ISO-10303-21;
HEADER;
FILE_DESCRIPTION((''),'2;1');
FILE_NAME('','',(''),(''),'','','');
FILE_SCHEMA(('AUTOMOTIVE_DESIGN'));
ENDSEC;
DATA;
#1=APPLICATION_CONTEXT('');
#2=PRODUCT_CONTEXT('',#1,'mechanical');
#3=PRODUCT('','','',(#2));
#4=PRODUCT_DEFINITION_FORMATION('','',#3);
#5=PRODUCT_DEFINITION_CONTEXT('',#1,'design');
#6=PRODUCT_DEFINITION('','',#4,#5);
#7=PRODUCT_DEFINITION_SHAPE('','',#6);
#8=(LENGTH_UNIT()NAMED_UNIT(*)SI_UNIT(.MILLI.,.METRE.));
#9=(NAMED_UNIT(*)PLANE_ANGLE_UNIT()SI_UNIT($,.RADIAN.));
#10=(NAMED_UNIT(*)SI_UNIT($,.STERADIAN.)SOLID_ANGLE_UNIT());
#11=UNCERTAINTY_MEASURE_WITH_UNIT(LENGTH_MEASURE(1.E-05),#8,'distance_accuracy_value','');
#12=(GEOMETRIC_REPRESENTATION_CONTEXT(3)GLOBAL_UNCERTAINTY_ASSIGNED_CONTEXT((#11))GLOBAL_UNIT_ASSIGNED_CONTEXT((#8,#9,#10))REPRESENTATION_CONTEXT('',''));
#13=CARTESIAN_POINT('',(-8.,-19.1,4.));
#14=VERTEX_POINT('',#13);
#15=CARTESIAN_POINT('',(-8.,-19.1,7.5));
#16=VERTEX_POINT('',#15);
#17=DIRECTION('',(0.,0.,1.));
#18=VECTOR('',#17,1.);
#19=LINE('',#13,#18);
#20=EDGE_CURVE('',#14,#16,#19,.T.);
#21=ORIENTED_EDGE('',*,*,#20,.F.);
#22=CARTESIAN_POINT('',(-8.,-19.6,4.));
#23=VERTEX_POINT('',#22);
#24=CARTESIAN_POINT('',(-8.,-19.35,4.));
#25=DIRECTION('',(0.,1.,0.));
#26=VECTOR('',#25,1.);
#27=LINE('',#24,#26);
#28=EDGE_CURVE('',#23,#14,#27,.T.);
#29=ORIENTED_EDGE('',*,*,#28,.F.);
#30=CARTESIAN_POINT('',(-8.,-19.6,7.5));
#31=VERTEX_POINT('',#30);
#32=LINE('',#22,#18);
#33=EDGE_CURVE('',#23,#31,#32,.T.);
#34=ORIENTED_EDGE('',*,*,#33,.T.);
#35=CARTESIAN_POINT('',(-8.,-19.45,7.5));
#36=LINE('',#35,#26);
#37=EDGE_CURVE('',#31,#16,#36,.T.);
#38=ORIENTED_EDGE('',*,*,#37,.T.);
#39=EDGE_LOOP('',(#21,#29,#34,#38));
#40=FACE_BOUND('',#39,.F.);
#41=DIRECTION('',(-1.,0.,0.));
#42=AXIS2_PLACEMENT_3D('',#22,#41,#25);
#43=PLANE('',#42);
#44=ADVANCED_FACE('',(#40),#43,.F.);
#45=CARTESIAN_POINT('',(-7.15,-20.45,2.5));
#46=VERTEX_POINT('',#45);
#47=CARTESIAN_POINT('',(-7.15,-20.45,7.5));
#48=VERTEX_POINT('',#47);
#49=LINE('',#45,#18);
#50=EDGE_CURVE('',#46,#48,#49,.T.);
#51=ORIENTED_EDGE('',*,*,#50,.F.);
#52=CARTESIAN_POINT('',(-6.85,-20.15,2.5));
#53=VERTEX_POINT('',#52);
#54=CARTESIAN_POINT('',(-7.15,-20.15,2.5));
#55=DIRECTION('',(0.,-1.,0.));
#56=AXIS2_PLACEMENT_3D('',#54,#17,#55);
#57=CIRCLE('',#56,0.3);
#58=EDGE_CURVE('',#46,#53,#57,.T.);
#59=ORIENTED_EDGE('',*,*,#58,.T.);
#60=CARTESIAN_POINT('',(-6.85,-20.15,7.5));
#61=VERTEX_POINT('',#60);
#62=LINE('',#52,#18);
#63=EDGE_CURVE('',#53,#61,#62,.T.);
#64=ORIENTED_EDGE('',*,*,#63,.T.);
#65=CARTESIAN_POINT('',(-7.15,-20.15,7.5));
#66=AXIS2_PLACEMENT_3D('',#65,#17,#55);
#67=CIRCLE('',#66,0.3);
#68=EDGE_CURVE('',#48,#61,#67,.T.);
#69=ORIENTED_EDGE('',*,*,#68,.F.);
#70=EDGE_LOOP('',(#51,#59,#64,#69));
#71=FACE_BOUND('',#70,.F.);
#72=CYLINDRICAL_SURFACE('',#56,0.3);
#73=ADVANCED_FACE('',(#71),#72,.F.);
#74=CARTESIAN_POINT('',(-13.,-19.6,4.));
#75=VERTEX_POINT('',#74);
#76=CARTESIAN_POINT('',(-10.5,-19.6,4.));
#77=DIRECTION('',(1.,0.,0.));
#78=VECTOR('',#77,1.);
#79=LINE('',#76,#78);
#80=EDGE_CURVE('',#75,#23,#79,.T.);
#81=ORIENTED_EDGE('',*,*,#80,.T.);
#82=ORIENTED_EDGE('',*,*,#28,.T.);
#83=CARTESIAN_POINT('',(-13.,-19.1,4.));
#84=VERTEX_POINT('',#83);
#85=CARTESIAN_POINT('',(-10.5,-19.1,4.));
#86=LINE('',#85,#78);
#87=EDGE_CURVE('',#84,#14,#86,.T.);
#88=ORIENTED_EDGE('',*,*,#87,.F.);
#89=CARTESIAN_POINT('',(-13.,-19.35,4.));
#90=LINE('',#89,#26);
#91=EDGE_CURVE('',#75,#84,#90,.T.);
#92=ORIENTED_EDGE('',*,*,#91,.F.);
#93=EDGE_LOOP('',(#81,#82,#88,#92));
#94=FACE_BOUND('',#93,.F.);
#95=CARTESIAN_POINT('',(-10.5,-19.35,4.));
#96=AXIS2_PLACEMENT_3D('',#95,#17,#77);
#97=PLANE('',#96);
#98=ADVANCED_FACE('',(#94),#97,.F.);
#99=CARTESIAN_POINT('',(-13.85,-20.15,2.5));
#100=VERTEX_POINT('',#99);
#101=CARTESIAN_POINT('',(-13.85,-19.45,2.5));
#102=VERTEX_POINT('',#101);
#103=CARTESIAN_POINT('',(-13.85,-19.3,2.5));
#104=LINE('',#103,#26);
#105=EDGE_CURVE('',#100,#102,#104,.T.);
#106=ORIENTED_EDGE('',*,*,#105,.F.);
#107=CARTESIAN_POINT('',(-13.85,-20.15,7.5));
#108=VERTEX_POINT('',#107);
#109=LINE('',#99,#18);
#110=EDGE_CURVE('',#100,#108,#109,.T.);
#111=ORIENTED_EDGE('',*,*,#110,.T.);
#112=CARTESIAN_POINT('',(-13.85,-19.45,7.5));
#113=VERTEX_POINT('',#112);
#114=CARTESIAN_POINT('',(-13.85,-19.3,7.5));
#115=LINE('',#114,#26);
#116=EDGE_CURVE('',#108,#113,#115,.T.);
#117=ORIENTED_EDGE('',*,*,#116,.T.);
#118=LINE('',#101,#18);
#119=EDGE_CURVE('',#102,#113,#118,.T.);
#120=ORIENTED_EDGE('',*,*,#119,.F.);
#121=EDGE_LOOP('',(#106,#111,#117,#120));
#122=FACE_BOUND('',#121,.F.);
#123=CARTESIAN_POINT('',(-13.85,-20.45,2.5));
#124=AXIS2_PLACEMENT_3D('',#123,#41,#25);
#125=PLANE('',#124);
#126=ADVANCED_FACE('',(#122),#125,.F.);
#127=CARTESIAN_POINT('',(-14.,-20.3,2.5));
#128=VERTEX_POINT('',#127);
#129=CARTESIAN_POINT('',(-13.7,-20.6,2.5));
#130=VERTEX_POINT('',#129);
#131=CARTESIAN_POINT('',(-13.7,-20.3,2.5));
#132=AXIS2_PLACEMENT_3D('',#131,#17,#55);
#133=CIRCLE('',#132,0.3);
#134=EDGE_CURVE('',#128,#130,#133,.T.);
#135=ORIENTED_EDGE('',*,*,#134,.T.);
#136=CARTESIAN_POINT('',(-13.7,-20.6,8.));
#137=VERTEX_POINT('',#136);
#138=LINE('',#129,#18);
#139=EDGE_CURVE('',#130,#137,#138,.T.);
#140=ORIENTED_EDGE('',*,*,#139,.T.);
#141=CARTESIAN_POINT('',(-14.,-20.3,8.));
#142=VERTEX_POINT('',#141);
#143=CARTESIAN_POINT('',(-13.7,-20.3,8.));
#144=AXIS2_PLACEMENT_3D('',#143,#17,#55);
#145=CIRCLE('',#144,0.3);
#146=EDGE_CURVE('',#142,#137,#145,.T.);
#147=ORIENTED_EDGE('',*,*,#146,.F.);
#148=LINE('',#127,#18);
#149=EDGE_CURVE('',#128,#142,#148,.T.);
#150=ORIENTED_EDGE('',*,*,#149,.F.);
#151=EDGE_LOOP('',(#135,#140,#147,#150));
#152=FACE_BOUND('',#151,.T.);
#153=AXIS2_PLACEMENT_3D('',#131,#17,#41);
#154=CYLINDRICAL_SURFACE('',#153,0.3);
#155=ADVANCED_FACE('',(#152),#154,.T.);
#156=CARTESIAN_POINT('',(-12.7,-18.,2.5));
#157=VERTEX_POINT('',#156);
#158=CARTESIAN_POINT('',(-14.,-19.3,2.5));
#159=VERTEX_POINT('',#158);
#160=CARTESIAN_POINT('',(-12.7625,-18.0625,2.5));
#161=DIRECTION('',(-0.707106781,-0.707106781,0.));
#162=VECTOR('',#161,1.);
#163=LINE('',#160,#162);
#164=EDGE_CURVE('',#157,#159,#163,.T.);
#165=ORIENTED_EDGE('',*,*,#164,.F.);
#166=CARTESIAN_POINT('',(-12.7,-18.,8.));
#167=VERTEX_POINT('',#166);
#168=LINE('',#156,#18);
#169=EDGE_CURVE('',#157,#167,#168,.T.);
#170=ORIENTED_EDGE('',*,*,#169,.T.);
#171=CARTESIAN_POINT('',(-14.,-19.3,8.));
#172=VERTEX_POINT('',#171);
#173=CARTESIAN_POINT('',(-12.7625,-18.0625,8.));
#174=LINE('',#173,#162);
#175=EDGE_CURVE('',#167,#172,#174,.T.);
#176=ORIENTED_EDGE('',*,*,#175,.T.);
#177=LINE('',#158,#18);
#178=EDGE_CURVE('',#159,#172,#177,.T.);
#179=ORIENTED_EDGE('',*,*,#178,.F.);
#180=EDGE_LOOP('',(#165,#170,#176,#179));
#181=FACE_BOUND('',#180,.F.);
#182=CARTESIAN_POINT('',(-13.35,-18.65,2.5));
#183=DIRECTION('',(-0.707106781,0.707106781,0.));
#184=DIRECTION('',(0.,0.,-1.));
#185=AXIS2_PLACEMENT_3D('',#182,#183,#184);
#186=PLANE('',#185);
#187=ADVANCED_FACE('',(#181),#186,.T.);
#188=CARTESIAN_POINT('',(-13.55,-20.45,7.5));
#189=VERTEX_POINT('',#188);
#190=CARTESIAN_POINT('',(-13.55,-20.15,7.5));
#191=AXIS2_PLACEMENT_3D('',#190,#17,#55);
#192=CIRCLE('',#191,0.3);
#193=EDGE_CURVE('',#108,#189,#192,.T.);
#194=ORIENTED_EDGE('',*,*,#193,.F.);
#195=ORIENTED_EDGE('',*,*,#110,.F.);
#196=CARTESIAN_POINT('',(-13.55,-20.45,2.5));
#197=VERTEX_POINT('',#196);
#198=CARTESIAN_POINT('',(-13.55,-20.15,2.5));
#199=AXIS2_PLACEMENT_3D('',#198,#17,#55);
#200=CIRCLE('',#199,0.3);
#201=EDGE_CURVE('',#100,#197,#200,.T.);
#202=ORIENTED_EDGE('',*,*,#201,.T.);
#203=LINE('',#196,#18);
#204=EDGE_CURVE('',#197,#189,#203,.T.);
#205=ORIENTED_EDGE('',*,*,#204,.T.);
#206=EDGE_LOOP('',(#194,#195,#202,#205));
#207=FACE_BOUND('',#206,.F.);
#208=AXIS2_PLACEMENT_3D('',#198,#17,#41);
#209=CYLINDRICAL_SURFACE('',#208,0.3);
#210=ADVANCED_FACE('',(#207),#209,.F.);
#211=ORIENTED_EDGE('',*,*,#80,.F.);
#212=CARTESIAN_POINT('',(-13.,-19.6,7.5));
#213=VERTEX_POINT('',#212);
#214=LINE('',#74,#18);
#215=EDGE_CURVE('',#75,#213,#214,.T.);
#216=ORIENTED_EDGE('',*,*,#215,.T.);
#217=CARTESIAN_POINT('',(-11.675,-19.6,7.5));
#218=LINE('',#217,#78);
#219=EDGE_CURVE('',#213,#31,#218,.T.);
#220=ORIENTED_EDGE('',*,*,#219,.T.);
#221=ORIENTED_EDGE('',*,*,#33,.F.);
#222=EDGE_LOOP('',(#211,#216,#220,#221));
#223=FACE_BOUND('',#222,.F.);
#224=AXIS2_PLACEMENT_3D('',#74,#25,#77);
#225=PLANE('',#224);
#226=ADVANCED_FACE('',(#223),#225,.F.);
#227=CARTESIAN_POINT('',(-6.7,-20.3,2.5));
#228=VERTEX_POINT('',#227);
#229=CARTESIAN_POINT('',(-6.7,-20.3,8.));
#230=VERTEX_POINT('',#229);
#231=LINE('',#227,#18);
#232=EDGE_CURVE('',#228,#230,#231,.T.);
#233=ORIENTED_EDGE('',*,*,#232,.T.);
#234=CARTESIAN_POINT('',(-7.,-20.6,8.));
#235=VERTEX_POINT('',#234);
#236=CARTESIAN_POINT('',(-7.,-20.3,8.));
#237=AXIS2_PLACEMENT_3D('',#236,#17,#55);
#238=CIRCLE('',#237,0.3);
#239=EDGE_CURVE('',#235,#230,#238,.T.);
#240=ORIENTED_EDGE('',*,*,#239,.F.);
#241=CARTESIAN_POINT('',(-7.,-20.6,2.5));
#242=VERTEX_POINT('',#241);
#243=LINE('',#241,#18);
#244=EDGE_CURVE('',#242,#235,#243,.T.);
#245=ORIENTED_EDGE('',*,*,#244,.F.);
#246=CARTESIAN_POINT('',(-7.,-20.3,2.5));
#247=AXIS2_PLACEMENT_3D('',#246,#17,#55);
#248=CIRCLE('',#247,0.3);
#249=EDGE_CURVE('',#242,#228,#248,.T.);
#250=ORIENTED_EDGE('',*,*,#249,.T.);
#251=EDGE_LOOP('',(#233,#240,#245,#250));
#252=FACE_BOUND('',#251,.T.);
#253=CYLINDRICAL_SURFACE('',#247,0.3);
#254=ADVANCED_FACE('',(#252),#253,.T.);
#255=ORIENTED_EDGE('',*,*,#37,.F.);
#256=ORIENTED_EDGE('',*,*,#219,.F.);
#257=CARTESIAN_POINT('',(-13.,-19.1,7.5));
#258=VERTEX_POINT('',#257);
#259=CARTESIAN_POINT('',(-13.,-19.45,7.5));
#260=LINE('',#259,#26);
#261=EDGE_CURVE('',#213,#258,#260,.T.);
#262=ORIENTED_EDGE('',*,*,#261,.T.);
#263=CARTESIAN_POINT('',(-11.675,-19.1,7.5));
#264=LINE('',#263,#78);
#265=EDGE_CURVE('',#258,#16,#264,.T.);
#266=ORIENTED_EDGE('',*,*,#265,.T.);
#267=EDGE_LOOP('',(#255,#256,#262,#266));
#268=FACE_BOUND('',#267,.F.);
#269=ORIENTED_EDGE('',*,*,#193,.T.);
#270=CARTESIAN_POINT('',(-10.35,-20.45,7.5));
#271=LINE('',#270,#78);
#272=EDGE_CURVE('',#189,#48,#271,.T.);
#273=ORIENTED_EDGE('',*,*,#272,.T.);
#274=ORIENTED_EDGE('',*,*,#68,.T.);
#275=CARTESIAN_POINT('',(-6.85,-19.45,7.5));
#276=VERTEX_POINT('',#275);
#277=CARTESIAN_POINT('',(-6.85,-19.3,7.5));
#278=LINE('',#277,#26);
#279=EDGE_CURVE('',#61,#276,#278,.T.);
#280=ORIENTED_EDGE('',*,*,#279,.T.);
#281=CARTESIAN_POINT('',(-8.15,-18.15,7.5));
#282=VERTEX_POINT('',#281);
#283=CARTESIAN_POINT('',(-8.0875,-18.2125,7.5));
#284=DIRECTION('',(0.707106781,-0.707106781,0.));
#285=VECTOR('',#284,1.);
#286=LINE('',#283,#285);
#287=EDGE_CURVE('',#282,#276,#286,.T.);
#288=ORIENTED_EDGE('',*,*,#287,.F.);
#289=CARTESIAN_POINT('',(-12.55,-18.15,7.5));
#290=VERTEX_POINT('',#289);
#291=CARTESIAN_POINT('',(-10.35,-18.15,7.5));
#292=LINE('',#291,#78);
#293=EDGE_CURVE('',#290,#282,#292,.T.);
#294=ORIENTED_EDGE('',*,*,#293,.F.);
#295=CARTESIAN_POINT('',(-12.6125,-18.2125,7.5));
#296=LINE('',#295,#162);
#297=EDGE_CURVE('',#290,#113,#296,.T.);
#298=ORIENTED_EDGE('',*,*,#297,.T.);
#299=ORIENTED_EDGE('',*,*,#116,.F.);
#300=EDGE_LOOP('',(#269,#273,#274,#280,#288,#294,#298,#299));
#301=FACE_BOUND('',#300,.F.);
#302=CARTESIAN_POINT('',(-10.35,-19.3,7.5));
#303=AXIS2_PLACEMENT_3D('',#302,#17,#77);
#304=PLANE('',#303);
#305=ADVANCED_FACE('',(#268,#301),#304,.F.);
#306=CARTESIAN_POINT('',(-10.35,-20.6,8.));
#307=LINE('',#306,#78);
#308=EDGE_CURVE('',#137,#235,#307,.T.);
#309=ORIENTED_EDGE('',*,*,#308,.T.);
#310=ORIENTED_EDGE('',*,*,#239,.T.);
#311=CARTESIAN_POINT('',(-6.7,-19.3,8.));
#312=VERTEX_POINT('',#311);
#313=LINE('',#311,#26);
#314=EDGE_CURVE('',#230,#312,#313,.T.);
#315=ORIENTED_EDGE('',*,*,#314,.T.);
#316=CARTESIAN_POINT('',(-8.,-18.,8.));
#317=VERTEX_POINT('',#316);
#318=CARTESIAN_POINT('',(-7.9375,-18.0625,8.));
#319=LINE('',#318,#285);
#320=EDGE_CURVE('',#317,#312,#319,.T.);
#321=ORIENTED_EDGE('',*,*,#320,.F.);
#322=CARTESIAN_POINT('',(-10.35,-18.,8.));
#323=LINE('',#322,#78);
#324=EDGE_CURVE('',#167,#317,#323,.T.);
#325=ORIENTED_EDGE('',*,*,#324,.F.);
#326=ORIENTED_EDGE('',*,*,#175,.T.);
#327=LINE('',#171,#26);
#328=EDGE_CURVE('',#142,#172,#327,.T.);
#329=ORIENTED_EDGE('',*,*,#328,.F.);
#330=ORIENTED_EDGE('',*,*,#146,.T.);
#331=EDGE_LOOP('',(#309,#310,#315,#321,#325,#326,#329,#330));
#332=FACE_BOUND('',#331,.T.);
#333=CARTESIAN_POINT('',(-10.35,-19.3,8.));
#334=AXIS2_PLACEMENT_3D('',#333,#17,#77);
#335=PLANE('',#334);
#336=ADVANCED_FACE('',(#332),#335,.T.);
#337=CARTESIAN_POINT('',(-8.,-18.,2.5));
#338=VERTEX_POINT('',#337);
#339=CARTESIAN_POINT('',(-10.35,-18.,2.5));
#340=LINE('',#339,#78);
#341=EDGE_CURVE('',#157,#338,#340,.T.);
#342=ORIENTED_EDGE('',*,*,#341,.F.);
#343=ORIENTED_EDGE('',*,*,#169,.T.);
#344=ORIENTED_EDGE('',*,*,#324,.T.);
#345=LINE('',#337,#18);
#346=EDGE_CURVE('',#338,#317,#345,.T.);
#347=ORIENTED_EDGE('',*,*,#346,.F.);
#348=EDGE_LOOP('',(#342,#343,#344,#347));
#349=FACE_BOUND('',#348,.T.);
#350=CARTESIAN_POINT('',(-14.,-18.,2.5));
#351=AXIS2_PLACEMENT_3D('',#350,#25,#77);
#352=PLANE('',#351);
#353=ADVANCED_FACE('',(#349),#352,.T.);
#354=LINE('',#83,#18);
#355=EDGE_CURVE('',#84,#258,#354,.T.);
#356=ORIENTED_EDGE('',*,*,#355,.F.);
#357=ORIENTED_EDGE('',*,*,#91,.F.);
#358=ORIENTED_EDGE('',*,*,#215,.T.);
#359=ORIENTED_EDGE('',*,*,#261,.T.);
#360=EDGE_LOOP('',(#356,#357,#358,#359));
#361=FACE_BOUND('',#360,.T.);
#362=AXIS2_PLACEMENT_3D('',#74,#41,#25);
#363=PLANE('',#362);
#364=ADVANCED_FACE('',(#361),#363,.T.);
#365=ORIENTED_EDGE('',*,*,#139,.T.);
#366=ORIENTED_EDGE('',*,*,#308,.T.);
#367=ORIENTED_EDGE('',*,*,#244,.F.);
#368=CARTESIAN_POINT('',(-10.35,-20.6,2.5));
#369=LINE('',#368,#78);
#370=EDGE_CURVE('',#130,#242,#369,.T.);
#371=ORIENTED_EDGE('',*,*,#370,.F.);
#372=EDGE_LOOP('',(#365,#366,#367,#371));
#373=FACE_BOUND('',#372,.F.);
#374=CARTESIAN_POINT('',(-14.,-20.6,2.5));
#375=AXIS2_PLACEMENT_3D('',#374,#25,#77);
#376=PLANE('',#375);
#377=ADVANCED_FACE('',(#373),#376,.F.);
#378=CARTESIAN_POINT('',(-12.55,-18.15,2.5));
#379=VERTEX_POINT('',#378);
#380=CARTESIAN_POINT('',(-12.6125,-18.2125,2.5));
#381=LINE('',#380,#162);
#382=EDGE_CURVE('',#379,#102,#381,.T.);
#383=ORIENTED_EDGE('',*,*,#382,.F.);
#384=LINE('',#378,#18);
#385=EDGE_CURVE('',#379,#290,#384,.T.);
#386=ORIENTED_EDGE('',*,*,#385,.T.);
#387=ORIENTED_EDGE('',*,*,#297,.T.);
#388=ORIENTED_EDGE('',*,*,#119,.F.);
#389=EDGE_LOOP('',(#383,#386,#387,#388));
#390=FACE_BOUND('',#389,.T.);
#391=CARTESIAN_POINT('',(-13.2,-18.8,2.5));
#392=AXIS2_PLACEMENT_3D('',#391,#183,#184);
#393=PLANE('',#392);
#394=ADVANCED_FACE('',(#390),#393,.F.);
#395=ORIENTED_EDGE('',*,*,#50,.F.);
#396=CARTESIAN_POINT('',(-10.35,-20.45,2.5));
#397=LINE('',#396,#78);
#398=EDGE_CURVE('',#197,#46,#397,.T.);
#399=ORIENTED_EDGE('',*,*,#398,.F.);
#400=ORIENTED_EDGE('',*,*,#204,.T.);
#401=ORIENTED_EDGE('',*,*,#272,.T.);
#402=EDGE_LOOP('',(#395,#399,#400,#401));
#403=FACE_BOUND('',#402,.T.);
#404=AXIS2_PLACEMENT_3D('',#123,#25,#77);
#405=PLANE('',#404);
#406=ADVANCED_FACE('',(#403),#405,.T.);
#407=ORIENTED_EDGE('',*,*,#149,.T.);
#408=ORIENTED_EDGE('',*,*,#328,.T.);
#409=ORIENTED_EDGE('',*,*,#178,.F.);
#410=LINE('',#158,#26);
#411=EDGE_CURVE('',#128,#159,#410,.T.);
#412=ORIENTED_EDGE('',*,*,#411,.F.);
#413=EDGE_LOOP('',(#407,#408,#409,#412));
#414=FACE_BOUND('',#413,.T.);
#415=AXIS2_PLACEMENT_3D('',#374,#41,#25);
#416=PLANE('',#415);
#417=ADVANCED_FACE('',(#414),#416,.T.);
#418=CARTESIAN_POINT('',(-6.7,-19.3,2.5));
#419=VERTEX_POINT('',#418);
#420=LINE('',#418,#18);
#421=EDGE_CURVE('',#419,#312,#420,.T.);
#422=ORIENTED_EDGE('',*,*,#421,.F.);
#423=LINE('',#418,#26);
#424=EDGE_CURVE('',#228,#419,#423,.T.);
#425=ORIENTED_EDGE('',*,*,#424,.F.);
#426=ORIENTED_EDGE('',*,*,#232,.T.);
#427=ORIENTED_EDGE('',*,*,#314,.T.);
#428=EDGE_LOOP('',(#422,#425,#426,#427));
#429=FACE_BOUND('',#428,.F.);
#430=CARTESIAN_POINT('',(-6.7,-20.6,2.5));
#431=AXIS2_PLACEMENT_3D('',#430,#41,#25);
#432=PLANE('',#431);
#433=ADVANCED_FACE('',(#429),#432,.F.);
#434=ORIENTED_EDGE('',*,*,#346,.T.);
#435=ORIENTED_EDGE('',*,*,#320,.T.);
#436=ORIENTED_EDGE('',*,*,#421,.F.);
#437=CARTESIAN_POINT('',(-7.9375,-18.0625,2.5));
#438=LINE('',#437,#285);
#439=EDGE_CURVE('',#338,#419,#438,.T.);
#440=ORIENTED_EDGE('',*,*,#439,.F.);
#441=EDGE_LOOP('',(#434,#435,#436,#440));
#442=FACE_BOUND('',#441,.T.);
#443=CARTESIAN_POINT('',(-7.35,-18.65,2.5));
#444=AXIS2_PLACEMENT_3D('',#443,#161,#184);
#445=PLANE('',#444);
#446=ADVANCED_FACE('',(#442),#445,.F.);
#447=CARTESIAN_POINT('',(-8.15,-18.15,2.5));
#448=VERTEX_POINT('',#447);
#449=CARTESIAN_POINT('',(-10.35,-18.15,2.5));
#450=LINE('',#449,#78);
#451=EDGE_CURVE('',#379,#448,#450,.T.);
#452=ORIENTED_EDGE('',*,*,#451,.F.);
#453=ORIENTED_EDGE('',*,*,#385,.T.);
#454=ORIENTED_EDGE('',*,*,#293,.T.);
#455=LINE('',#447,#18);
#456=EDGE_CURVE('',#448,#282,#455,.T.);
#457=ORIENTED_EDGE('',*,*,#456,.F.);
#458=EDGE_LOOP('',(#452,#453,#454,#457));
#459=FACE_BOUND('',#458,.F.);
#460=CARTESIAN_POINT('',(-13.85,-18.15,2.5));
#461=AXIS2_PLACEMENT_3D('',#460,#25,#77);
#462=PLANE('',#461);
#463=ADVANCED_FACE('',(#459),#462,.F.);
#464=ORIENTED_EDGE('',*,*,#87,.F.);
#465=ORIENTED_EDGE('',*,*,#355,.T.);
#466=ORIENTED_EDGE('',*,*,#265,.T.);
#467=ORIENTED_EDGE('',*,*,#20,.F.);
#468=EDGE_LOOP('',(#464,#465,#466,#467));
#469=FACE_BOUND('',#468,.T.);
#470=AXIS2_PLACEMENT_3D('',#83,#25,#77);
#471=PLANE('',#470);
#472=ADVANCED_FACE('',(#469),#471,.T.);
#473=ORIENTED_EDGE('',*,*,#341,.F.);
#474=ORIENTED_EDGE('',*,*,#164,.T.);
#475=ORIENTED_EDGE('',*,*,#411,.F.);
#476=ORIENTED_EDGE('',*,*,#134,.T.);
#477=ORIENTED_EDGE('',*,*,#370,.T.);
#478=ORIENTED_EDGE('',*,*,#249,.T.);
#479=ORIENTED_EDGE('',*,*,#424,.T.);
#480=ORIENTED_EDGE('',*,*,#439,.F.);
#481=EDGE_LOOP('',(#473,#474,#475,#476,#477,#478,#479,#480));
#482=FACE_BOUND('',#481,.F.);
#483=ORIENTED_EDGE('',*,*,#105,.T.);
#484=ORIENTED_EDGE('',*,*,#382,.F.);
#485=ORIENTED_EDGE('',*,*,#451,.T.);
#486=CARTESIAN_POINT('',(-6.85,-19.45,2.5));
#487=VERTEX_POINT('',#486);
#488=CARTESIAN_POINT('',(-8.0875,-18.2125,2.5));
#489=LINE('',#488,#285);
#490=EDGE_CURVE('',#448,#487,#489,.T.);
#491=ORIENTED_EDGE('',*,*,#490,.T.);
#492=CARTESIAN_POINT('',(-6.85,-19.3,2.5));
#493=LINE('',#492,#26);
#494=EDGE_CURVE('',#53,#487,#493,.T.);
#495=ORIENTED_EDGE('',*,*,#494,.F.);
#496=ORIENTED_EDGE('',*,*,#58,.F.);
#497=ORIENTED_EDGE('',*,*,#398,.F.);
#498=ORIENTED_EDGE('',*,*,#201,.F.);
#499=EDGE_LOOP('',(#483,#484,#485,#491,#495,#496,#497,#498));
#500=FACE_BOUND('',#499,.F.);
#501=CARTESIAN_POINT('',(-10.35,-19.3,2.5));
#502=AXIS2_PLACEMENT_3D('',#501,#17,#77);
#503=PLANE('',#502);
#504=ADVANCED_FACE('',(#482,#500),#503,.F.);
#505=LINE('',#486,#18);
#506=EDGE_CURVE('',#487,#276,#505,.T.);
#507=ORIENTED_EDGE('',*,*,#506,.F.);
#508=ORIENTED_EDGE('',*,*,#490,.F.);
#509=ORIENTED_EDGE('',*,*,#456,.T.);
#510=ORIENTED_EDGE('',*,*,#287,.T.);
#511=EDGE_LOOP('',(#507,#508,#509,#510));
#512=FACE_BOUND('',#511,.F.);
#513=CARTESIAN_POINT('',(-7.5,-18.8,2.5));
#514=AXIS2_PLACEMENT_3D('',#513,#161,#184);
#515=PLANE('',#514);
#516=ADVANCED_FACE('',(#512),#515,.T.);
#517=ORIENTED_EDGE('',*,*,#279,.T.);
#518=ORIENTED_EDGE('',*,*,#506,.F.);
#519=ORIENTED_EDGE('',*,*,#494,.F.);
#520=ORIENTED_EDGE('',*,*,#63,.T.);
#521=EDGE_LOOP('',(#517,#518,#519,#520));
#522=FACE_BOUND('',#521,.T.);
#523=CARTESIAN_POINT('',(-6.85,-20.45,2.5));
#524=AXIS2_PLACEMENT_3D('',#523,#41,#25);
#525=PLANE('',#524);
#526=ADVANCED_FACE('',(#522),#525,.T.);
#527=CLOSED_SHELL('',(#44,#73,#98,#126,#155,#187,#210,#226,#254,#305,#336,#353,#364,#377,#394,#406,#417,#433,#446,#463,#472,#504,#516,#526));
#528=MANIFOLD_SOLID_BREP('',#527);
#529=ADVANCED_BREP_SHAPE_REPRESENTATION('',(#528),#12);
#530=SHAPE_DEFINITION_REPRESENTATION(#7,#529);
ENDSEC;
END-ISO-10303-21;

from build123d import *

# Parameters (mm, degrees)
BOX301_W        = 7
BOX301_H        = 2.3
BOX301_DEPTH    = 5
FILLET223_R     = 0.3
CHAMFER043_SIZE = 1.3
CHAMFER044_SIZE = 1.3
BOX300_W        = 7.3
BOX300_H        = 2.6
BOX300_DEPTH    = 5.5
FILLET222_R     = 0.3
CHAMFER041_SIZE = 1.3
CHAMFER042_SIZE = 1.3
BOX302_W        = 5
BOX302_H        = 0.5
BOX302_DEPTH    = 4


with BuildPart() as chamfer044:
    # Box301 → Box301 (new body)
    with BuildSketch(Plane.XY):
        with Locations((3.5, 1.15)):
            Rectangle(BOX301_W, BOX301_H)
    extrude(amount=BOX301_DEPTH)

    # Fillet223
    fillet223_edges = [chamfer044.edges().sort_by_distance(p)[0] for p in [
        (0, 0, 2.5),
        (7, 0, 2.5),
    ]]
    fillet(fillet223_edges, radius=FILLET223_R)

    # Chamfer043
    chamfer043_edges = [chamfer044.edges().sort_by_distance(p)[0] for p in [
        (7, 2.3, 2.5),
    ]]
    chamfer(chamfer043_edges, length=CHAMFER043_SIZE)

    # Chamfer044
    chamfer044_edges = [chamfer044.edges().sort_by_distance(p)[0] for p in [
        (0, 2.3, 2.5),
    ]]
    chamfer(chamfer044_edges, length=CHAMFER044_SIZE)


with BuildPart() as chamfer044_1:
    # Chamfer044 placement: moved
    add(chamfer044.part.moved(Location((0.15, 0.15, 0))))


with BuildPart() as cut347:
    # Box300 → Box300 (new body)
    with BuildSketch(Plane.XY):
        with Locations((3.65, 1.3)):
            Rectangle(BOX300_W, BOX300_H)
    extrude(amount=BOX300_DEPTH)

    # Fillet222
    fillet222_edges = [cut347.edges().sort_by_distance(p)[0] for p in [
        (0, 0, 2.75),
        (7.3, 0, 2.75),
    ]]
    fillet(fillet222_edges, radius=FILLET222_R)

    # Chamfer041
    chamfer041_edges = [cut347.edges().sort_by_distance(p)[0] for p in [
        (7.3, 2.6, 2.75),
    ]]
    chamfer(chamfer041_edges, length=CHAMFER041_SIZE)

    # Chamfer042
    chamfer042_edges = [cut347.edges().sort_by_distance(p)[0] for p in [
        (0, 2.6, 2.75),
    ]]
    chamfer(chamfer042_edges, length=CHAMFER042_SIZE)

    # Cut347: cut Chamfer044
    add(chamfer044_1.part, mode=Mode.SUBTRACT)


with BuildPart() as conector_microusb:
    # Box302 → Box302 (new body)
    with BuildSketch(Plane(origin=(1, 1, 1.5), x_dir=(1, 0, 0), z_dir=(0, 0, 1))):
        with Locations((2.5, 0.25)):
            Rectangle(BOX302_W, BOX302_H)
    extrude(amount=BOX302_DEPTH)

    # Fusion204: union Cut347
    add(cut347.part)


with BuildPart() as conector_microusb_1:
    # Fusion204 placement: moved
    add(conector_microusb.part.moved(Location((-14, -20.6, 2.5))))


solid = conector_microusb_1.part
